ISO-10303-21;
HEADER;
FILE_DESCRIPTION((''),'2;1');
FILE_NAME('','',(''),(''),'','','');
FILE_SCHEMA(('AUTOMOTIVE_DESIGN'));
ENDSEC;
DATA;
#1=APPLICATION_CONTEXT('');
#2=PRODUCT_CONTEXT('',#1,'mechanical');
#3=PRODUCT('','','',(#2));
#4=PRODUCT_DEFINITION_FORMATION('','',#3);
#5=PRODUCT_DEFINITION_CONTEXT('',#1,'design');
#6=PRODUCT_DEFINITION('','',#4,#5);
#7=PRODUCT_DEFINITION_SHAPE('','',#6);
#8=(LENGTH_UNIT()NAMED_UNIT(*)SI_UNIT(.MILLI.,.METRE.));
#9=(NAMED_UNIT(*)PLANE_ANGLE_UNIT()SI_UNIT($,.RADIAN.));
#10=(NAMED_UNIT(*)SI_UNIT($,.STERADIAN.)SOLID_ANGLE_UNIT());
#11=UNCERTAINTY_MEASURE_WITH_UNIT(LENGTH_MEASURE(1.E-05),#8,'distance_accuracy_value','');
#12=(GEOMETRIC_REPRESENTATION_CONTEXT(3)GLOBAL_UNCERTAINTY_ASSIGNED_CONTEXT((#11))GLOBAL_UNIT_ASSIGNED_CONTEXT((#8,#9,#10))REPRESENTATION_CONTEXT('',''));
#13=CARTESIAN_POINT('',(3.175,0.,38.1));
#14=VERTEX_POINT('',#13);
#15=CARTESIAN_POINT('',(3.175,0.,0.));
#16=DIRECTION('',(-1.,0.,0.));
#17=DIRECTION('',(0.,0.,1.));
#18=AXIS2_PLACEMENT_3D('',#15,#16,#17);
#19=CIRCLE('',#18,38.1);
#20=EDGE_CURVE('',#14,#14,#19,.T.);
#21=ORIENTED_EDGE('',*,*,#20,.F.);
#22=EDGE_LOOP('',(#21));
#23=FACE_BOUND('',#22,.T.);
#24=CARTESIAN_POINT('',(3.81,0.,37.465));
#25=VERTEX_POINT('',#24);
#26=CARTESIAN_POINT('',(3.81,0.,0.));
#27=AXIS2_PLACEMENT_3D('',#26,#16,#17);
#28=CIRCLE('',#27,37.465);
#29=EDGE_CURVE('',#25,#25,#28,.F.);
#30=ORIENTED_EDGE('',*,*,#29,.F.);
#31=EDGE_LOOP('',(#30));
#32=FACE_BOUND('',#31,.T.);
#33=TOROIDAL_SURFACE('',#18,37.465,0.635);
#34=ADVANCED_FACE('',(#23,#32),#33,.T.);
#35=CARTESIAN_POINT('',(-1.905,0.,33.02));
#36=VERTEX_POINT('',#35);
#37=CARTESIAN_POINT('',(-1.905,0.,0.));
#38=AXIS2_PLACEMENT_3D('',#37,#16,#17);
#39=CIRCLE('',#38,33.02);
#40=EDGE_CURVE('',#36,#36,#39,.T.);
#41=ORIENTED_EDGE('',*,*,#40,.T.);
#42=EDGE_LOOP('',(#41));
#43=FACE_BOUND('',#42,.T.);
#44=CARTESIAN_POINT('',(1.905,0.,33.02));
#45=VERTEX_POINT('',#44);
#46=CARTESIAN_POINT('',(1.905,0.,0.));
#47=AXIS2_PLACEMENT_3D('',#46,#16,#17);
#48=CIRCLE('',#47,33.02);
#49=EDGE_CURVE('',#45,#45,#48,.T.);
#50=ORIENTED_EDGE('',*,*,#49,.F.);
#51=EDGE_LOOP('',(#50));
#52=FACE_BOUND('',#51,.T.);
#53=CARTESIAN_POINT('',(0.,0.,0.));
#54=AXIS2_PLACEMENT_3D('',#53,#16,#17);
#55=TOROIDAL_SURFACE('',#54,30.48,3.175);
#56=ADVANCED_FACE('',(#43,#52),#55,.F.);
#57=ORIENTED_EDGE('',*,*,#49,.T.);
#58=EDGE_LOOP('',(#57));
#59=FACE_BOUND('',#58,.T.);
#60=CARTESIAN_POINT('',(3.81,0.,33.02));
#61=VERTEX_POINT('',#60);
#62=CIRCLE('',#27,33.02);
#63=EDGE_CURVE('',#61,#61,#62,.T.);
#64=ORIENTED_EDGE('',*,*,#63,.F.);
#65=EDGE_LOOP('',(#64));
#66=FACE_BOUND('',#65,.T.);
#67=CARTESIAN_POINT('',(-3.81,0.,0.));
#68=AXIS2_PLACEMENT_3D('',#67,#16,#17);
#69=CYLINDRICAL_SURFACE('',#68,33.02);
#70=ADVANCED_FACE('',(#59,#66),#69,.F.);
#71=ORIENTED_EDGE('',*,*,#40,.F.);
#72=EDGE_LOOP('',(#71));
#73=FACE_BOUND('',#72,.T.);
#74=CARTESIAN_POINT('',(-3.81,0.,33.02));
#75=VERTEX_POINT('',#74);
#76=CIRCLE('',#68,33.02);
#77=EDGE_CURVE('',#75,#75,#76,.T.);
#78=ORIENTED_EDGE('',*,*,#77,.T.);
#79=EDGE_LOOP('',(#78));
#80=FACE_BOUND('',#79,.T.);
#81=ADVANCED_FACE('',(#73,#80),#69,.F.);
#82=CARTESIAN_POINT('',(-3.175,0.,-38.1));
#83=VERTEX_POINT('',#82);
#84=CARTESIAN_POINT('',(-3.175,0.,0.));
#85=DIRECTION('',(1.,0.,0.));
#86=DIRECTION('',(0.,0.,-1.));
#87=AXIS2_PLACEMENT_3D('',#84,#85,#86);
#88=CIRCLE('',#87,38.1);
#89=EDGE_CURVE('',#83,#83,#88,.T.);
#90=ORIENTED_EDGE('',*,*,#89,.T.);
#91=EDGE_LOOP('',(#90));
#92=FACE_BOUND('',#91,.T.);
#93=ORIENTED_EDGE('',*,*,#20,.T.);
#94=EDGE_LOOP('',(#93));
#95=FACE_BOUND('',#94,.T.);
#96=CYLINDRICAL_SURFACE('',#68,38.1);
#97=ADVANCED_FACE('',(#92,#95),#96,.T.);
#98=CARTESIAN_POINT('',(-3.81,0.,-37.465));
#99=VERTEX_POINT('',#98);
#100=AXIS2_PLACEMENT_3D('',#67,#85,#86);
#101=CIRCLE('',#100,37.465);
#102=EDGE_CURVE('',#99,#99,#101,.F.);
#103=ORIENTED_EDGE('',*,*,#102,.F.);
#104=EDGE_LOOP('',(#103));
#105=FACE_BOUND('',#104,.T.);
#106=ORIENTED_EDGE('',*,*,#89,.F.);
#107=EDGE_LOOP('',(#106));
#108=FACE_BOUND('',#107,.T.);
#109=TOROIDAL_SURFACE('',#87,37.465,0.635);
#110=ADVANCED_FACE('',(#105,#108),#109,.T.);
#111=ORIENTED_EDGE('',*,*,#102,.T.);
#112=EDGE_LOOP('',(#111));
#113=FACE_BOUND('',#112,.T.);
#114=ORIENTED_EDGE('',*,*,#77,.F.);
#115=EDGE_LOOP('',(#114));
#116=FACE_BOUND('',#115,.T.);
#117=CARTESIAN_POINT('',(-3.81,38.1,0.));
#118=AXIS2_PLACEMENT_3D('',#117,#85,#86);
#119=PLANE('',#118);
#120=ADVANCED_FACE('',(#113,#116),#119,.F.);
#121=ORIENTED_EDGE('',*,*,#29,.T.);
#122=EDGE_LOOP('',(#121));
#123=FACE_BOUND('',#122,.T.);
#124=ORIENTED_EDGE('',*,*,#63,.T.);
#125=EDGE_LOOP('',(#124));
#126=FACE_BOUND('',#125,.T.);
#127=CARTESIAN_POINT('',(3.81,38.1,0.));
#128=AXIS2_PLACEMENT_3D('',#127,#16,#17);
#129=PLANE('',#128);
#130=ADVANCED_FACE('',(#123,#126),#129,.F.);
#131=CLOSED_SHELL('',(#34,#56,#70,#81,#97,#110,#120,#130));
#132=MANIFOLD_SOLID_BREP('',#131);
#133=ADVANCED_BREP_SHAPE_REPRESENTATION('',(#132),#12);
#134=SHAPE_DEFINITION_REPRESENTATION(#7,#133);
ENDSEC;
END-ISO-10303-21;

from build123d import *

# Parameters (mm, degrees)
FILLET1_R = 0.635


with BuildPart() as part:
    # Sketch1 → Revolve2 (revolve)
    with BuildSketch(Plane.XY, mode=Mode.PRIVATE) as revolve2_sk:
        with BuildLine():
            Line((3.81, 38.1), (-3.81, 38.1))
            Line((-3.81, 38.1), (-3.81, 33.02))
            Line((-3.81, 33.02), (-1.905, 33.02))
            ThreePointArc((-1.905, 33.02), (0, 33.655), (1.905, 33.02))
            Line((1.905, 33.02), (3.81, 33.02))
            Line((3.81, 33.02), (3.81, 38.1))
        make_face()
    revolve(revolve2_sk.sketch.rotate(Axis((-3.81, 0, 0), (1, 0, 0)), 90), axis=Axis((-3.81, 0, 0), (1, 0, 0)))

    # Fillet1
    fillet1_edges = [part.edges().sort_by_distance(p)[0] for p in [
        (3.81, 0, -38.1),
        (-3.81, 0, -38.1),
    ]]
    fillet(fillet1_edges, radius=FILLET1_R)


solid = part.part
